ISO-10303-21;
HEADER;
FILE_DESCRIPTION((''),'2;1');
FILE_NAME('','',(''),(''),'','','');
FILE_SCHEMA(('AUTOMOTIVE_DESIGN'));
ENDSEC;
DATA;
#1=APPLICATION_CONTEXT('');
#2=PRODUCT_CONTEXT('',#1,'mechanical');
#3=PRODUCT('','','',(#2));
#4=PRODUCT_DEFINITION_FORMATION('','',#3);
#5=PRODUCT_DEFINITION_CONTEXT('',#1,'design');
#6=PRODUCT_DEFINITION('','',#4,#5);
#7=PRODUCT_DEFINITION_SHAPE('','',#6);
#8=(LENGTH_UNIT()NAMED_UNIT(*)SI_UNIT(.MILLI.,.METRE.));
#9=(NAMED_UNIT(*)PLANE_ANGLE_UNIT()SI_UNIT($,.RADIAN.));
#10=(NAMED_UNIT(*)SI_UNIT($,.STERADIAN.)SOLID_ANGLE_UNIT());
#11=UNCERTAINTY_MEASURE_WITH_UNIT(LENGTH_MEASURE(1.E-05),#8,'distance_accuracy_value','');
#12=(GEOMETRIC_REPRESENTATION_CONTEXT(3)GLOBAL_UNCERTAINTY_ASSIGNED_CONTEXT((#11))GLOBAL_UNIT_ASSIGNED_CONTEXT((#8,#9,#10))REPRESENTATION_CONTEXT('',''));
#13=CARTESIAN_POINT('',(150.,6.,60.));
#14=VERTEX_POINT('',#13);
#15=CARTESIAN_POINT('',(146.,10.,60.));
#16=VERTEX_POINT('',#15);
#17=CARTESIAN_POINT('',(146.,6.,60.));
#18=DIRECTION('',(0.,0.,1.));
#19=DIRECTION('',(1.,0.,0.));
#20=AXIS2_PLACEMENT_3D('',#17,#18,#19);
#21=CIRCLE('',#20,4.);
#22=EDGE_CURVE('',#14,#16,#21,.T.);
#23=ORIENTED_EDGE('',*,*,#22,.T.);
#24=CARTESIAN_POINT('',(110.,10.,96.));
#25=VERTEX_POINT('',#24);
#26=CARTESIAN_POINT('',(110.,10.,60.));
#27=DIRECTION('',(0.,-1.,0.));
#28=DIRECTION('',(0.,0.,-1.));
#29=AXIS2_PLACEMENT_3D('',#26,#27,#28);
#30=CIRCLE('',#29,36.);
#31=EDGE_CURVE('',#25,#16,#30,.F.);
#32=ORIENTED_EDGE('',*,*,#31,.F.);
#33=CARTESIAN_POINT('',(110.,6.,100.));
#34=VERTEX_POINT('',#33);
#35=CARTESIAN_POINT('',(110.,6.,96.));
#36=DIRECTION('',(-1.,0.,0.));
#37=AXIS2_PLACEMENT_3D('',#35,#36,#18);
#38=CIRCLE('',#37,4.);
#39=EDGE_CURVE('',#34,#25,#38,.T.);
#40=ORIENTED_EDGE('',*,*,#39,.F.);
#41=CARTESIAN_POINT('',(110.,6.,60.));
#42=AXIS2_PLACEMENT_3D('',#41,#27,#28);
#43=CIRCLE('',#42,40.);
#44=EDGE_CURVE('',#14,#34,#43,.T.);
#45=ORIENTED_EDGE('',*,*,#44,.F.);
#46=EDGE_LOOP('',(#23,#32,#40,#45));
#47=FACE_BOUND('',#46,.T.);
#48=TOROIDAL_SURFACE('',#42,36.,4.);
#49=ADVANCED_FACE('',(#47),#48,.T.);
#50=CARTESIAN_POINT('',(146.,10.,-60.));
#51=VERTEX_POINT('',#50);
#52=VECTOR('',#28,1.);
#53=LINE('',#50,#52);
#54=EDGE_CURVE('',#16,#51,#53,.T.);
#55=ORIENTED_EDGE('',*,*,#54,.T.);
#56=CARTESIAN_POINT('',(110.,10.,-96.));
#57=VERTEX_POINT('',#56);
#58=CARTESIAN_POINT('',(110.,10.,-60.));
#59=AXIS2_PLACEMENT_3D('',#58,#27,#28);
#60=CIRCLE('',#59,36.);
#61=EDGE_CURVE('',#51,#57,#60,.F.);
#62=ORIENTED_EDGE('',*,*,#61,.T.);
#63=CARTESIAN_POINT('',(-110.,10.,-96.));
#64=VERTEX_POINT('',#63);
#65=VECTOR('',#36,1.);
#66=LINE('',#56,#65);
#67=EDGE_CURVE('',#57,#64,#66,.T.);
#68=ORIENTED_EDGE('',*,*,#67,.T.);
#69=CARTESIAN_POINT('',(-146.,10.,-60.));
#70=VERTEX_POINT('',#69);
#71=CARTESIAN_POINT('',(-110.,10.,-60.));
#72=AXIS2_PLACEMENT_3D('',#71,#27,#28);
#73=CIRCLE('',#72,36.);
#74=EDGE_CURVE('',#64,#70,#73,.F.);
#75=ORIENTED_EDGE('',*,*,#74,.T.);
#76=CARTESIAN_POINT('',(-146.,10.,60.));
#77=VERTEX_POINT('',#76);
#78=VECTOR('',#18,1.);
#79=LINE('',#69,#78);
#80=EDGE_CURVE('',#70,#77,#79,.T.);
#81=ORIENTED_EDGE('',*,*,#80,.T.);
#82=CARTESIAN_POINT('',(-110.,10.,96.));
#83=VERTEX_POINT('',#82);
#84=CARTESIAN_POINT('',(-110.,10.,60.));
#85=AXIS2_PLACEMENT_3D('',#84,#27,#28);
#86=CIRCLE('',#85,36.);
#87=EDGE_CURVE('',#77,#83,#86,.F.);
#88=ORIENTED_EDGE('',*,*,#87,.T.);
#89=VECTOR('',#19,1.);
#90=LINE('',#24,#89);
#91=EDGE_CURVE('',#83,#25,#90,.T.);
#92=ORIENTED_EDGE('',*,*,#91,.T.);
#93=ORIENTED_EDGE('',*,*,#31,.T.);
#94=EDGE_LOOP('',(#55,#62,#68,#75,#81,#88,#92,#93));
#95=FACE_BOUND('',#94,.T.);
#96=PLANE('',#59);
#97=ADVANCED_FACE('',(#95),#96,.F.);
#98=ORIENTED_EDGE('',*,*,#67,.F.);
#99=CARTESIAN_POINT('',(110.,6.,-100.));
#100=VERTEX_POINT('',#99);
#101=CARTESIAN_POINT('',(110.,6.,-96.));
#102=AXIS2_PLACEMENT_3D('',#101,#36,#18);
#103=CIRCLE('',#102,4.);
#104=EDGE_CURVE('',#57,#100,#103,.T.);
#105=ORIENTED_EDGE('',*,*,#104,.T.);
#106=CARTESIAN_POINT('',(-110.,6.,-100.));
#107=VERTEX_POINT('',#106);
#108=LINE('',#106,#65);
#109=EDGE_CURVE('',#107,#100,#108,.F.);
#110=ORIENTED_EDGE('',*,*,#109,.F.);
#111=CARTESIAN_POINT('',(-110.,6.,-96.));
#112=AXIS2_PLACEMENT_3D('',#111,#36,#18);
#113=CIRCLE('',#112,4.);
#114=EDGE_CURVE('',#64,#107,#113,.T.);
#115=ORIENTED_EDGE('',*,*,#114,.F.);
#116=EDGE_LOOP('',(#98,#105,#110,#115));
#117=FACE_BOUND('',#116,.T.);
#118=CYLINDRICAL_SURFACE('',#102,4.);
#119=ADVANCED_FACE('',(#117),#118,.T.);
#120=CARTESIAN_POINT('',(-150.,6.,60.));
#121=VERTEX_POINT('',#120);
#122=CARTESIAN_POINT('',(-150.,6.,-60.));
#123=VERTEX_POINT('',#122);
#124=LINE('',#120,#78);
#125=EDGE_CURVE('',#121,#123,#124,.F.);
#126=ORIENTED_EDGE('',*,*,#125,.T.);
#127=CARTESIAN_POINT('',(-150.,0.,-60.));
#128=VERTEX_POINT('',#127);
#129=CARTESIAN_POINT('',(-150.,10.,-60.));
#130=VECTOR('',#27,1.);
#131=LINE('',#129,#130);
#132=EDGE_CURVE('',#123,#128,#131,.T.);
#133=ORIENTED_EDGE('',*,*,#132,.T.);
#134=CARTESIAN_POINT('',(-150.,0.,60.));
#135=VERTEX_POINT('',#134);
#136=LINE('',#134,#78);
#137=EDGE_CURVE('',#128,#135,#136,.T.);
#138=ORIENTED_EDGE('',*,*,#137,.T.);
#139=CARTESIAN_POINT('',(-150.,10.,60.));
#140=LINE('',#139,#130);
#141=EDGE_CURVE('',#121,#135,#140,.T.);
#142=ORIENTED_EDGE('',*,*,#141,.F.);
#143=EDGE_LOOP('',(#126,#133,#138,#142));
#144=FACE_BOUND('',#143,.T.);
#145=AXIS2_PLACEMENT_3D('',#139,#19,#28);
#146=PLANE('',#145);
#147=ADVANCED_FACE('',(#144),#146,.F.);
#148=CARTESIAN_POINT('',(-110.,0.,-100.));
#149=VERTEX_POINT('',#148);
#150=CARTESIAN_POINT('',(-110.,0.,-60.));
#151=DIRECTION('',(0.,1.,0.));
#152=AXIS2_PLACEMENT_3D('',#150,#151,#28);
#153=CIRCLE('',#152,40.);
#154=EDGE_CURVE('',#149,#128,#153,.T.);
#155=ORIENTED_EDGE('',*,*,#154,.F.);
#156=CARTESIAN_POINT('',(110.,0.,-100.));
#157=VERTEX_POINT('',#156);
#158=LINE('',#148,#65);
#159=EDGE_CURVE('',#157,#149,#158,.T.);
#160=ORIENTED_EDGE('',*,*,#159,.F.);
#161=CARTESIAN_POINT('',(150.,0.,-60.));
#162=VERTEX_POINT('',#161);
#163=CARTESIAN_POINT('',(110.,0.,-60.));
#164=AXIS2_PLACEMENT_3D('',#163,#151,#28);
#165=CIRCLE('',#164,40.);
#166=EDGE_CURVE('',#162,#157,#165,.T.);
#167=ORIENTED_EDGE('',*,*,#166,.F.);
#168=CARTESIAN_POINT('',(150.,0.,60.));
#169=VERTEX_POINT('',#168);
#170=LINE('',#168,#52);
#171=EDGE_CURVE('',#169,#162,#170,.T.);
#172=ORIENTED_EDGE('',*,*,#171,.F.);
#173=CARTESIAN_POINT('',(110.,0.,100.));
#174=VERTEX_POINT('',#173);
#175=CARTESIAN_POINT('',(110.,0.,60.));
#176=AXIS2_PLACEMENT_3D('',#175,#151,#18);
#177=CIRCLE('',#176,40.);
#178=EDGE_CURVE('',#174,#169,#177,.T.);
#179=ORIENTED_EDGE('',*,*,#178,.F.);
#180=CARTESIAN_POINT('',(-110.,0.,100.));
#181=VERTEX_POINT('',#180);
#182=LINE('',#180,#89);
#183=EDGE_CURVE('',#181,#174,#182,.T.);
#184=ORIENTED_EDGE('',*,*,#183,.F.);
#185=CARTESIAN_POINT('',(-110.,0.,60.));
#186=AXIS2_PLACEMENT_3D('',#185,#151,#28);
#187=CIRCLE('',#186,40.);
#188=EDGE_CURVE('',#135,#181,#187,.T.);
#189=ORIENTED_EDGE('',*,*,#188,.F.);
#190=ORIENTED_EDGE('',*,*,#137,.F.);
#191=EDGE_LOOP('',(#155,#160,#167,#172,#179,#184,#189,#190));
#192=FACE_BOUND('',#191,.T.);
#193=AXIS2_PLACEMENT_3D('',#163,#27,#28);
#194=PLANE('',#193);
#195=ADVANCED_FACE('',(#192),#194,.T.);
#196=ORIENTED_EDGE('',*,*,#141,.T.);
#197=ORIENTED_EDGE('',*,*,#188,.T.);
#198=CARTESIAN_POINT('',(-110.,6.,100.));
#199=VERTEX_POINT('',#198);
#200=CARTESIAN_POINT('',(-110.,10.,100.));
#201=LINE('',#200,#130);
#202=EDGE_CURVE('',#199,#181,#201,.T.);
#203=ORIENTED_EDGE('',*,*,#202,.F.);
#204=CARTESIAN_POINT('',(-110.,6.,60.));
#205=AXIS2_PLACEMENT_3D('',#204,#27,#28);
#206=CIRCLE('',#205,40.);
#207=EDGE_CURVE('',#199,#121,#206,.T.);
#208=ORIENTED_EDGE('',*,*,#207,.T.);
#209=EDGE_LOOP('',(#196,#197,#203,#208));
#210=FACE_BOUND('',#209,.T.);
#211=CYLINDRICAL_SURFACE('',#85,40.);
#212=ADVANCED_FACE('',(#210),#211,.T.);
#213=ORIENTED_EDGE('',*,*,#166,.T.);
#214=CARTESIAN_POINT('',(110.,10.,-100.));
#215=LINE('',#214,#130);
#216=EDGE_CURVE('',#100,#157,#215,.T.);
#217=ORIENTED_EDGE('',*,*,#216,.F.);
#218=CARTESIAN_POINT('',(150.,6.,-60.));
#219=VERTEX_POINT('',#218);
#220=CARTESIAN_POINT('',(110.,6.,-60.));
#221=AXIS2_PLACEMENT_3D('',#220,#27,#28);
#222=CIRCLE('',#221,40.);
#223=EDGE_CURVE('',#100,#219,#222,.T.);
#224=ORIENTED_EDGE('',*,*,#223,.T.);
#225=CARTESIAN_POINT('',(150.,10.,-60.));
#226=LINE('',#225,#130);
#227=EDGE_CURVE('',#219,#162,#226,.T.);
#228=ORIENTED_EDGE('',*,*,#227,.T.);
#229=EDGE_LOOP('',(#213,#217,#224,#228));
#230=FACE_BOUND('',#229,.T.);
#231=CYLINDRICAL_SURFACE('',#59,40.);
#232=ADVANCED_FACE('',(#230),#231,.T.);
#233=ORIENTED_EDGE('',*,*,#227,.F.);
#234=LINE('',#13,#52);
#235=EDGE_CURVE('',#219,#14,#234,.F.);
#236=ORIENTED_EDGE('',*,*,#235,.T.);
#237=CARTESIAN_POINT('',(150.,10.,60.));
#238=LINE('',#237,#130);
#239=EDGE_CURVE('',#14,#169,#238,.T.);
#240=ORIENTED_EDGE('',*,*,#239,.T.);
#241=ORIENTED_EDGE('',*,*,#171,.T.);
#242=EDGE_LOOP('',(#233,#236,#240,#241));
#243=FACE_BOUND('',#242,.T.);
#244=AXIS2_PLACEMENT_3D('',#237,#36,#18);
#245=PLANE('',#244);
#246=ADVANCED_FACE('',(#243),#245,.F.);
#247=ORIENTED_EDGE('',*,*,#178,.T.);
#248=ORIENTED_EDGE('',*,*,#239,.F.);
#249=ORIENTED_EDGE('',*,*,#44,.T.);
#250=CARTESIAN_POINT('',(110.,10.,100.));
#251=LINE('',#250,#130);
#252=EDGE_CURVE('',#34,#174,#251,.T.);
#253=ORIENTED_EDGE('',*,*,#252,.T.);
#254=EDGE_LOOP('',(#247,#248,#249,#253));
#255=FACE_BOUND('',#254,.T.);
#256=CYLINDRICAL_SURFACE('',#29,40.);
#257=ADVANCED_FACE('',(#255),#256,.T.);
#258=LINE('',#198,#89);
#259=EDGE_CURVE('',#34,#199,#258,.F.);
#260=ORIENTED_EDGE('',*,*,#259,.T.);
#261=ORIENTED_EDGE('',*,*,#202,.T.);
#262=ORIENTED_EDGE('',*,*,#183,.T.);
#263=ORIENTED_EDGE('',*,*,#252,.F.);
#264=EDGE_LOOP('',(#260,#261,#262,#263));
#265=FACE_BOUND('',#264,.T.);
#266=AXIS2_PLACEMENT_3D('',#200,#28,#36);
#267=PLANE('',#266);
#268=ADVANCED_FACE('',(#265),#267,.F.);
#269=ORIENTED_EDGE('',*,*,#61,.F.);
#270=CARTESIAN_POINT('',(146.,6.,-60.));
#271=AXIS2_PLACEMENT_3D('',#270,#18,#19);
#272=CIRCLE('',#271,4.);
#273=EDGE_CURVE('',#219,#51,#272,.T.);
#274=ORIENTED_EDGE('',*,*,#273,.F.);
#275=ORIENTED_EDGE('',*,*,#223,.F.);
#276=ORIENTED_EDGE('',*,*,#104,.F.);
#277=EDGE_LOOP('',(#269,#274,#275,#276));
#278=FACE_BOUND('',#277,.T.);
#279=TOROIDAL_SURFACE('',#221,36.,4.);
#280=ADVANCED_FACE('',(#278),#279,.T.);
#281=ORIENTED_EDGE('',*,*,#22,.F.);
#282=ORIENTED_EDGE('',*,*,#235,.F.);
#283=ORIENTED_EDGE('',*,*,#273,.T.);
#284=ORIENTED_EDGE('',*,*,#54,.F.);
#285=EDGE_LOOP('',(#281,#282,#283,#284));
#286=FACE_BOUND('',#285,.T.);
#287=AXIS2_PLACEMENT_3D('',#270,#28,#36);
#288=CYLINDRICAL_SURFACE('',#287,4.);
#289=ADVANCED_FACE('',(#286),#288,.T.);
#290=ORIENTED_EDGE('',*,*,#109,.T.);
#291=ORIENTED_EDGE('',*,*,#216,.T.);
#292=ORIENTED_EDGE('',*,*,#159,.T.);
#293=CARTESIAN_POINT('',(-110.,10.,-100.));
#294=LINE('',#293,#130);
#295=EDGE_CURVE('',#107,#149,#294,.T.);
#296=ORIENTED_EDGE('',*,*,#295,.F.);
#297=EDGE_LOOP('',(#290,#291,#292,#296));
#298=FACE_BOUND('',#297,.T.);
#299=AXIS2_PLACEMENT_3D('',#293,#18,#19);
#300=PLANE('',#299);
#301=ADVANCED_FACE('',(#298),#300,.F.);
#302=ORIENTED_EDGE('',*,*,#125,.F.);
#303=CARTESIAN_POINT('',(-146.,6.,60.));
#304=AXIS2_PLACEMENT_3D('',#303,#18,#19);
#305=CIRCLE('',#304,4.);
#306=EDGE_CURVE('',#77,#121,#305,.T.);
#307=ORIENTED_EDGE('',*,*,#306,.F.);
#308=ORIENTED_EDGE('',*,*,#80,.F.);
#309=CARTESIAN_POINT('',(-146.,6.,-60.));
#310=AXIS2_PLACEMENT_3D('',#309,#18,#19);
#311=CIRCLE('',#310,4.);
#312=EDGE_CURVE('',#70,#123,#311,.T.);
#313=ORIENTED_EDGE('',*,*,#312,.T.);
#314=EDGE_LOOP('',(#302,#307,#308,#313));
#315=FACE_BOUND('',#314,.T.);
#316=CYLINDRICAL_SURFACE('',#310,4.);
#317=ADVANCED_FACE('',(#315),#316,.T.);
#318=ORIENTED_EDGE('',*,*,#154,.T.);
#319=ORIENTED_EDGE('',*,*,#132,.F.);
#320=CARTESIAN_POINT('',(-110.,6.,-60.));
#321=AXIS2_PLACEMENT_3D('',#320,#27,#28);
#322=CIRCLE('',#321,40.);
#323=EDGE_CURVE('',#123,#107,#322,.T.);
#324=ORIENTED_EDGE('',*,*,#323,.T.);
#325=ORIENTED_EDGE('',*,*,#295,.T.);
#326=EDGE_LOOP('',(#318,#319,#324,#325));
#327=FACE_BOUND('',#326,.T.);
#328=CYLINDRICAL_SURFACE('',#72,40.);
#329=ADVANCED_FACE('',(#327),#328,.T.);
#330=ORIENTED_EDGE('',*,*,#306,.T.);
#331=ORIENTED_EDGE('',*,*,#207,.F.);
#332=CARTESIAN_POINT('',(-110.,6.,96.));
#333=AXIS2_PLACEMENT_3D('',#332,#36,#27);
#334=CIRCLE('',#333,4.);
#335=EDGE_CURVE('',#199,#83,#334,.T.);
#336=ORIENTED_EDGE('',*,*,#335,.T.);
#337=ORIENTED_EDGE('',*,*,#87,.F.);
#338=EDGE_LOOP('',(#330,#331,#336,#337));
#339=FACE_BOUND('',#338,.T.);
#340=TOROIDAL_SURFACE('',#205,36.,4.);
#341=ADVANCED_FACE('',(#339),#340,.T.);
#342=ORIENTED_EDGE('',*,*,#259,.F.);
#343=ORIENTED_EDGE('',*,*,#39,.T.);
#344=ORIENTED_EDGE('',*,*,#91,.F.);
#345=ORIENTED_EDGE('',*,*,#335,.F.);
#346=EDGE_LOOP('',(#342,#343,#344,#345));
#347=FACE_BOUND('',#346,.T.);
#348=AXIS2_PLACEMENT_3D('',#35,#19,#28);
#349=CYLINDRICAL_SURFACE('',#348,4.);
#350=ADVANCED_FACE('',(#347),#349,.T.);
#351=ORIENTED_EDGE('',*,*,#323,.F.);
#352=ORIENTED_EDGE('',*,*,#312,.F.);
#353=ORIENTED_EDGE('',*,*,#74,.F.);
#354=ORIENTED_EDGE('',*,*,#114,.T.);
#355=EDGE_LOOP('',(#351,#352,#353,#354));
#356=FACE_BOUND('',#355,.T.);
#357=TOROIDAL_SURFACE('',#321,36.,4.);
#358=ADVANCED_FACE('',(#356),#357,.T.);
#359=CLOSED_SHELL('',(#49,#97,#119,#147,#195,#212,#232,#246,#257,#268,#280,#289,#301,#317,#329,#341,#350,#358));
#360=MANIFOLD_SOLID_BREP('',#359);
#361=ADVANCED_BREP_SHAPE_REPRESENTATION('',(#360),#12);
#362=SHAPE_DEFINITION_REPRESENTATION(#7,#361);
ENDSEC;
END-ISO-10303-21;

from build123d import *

# Parameters (mm, degrees)
DODANIE_WYCI_GNI_CIE1_DEPTH = 10
ZAOKR_GLENIE1_R             = 4


with BuildPart() as part:
    # Szkic1 → Dodanie-wyciągnięcie1 (new body)
    with BuildSketch(Plane(origin=(0, 0, 0), x_dir=(1, 0, 0), z_dir=(0, 1, 0))):
        with BuildLine():
            Line((-110, -100), (110, -100))
            ThreePointArc((110, -100), (138.284271247, -88.284271247), (150, -60))
            Line((150, -60), (150, 60))
            ThreePointArc((150, 60), (138.284271247, 88.284271247), (110, 100))
            Line((110, 100), (-110, 100))
            ThreePointArc((-110, 100), (-138.284271247, 88.284271247), (-150, 60))
            Line((-150, 60), (-150, -60))
            ThreePointArc((-150, -60), (-138.284271247, -88.284271247), (-110, -100))
        make_face()
    extrude(amount=DODANIE_WYCI_GNI_CIE1_DEPTH)

    # Zaokrąglenie1
    zaokr_glenie1_edges = [part.edges().sort_by_distance(p)[0] for p in [
        (-138.284271247, 10, -88.284271247),
        (-150, 10, 0),
        (-138.284271247, 10, 88.284271247),
        (0, 10, 100),
        (138.284271247, 10, 88.284271247),
        (150, 10, 0),
        (138.284271247, 10, -88.284271247),
        (0, 10, -100),
    ]]
    fillet(zaokr_glenie1_edges, radius=ZAOKR_GLENIE1_R)


solid = part.part
